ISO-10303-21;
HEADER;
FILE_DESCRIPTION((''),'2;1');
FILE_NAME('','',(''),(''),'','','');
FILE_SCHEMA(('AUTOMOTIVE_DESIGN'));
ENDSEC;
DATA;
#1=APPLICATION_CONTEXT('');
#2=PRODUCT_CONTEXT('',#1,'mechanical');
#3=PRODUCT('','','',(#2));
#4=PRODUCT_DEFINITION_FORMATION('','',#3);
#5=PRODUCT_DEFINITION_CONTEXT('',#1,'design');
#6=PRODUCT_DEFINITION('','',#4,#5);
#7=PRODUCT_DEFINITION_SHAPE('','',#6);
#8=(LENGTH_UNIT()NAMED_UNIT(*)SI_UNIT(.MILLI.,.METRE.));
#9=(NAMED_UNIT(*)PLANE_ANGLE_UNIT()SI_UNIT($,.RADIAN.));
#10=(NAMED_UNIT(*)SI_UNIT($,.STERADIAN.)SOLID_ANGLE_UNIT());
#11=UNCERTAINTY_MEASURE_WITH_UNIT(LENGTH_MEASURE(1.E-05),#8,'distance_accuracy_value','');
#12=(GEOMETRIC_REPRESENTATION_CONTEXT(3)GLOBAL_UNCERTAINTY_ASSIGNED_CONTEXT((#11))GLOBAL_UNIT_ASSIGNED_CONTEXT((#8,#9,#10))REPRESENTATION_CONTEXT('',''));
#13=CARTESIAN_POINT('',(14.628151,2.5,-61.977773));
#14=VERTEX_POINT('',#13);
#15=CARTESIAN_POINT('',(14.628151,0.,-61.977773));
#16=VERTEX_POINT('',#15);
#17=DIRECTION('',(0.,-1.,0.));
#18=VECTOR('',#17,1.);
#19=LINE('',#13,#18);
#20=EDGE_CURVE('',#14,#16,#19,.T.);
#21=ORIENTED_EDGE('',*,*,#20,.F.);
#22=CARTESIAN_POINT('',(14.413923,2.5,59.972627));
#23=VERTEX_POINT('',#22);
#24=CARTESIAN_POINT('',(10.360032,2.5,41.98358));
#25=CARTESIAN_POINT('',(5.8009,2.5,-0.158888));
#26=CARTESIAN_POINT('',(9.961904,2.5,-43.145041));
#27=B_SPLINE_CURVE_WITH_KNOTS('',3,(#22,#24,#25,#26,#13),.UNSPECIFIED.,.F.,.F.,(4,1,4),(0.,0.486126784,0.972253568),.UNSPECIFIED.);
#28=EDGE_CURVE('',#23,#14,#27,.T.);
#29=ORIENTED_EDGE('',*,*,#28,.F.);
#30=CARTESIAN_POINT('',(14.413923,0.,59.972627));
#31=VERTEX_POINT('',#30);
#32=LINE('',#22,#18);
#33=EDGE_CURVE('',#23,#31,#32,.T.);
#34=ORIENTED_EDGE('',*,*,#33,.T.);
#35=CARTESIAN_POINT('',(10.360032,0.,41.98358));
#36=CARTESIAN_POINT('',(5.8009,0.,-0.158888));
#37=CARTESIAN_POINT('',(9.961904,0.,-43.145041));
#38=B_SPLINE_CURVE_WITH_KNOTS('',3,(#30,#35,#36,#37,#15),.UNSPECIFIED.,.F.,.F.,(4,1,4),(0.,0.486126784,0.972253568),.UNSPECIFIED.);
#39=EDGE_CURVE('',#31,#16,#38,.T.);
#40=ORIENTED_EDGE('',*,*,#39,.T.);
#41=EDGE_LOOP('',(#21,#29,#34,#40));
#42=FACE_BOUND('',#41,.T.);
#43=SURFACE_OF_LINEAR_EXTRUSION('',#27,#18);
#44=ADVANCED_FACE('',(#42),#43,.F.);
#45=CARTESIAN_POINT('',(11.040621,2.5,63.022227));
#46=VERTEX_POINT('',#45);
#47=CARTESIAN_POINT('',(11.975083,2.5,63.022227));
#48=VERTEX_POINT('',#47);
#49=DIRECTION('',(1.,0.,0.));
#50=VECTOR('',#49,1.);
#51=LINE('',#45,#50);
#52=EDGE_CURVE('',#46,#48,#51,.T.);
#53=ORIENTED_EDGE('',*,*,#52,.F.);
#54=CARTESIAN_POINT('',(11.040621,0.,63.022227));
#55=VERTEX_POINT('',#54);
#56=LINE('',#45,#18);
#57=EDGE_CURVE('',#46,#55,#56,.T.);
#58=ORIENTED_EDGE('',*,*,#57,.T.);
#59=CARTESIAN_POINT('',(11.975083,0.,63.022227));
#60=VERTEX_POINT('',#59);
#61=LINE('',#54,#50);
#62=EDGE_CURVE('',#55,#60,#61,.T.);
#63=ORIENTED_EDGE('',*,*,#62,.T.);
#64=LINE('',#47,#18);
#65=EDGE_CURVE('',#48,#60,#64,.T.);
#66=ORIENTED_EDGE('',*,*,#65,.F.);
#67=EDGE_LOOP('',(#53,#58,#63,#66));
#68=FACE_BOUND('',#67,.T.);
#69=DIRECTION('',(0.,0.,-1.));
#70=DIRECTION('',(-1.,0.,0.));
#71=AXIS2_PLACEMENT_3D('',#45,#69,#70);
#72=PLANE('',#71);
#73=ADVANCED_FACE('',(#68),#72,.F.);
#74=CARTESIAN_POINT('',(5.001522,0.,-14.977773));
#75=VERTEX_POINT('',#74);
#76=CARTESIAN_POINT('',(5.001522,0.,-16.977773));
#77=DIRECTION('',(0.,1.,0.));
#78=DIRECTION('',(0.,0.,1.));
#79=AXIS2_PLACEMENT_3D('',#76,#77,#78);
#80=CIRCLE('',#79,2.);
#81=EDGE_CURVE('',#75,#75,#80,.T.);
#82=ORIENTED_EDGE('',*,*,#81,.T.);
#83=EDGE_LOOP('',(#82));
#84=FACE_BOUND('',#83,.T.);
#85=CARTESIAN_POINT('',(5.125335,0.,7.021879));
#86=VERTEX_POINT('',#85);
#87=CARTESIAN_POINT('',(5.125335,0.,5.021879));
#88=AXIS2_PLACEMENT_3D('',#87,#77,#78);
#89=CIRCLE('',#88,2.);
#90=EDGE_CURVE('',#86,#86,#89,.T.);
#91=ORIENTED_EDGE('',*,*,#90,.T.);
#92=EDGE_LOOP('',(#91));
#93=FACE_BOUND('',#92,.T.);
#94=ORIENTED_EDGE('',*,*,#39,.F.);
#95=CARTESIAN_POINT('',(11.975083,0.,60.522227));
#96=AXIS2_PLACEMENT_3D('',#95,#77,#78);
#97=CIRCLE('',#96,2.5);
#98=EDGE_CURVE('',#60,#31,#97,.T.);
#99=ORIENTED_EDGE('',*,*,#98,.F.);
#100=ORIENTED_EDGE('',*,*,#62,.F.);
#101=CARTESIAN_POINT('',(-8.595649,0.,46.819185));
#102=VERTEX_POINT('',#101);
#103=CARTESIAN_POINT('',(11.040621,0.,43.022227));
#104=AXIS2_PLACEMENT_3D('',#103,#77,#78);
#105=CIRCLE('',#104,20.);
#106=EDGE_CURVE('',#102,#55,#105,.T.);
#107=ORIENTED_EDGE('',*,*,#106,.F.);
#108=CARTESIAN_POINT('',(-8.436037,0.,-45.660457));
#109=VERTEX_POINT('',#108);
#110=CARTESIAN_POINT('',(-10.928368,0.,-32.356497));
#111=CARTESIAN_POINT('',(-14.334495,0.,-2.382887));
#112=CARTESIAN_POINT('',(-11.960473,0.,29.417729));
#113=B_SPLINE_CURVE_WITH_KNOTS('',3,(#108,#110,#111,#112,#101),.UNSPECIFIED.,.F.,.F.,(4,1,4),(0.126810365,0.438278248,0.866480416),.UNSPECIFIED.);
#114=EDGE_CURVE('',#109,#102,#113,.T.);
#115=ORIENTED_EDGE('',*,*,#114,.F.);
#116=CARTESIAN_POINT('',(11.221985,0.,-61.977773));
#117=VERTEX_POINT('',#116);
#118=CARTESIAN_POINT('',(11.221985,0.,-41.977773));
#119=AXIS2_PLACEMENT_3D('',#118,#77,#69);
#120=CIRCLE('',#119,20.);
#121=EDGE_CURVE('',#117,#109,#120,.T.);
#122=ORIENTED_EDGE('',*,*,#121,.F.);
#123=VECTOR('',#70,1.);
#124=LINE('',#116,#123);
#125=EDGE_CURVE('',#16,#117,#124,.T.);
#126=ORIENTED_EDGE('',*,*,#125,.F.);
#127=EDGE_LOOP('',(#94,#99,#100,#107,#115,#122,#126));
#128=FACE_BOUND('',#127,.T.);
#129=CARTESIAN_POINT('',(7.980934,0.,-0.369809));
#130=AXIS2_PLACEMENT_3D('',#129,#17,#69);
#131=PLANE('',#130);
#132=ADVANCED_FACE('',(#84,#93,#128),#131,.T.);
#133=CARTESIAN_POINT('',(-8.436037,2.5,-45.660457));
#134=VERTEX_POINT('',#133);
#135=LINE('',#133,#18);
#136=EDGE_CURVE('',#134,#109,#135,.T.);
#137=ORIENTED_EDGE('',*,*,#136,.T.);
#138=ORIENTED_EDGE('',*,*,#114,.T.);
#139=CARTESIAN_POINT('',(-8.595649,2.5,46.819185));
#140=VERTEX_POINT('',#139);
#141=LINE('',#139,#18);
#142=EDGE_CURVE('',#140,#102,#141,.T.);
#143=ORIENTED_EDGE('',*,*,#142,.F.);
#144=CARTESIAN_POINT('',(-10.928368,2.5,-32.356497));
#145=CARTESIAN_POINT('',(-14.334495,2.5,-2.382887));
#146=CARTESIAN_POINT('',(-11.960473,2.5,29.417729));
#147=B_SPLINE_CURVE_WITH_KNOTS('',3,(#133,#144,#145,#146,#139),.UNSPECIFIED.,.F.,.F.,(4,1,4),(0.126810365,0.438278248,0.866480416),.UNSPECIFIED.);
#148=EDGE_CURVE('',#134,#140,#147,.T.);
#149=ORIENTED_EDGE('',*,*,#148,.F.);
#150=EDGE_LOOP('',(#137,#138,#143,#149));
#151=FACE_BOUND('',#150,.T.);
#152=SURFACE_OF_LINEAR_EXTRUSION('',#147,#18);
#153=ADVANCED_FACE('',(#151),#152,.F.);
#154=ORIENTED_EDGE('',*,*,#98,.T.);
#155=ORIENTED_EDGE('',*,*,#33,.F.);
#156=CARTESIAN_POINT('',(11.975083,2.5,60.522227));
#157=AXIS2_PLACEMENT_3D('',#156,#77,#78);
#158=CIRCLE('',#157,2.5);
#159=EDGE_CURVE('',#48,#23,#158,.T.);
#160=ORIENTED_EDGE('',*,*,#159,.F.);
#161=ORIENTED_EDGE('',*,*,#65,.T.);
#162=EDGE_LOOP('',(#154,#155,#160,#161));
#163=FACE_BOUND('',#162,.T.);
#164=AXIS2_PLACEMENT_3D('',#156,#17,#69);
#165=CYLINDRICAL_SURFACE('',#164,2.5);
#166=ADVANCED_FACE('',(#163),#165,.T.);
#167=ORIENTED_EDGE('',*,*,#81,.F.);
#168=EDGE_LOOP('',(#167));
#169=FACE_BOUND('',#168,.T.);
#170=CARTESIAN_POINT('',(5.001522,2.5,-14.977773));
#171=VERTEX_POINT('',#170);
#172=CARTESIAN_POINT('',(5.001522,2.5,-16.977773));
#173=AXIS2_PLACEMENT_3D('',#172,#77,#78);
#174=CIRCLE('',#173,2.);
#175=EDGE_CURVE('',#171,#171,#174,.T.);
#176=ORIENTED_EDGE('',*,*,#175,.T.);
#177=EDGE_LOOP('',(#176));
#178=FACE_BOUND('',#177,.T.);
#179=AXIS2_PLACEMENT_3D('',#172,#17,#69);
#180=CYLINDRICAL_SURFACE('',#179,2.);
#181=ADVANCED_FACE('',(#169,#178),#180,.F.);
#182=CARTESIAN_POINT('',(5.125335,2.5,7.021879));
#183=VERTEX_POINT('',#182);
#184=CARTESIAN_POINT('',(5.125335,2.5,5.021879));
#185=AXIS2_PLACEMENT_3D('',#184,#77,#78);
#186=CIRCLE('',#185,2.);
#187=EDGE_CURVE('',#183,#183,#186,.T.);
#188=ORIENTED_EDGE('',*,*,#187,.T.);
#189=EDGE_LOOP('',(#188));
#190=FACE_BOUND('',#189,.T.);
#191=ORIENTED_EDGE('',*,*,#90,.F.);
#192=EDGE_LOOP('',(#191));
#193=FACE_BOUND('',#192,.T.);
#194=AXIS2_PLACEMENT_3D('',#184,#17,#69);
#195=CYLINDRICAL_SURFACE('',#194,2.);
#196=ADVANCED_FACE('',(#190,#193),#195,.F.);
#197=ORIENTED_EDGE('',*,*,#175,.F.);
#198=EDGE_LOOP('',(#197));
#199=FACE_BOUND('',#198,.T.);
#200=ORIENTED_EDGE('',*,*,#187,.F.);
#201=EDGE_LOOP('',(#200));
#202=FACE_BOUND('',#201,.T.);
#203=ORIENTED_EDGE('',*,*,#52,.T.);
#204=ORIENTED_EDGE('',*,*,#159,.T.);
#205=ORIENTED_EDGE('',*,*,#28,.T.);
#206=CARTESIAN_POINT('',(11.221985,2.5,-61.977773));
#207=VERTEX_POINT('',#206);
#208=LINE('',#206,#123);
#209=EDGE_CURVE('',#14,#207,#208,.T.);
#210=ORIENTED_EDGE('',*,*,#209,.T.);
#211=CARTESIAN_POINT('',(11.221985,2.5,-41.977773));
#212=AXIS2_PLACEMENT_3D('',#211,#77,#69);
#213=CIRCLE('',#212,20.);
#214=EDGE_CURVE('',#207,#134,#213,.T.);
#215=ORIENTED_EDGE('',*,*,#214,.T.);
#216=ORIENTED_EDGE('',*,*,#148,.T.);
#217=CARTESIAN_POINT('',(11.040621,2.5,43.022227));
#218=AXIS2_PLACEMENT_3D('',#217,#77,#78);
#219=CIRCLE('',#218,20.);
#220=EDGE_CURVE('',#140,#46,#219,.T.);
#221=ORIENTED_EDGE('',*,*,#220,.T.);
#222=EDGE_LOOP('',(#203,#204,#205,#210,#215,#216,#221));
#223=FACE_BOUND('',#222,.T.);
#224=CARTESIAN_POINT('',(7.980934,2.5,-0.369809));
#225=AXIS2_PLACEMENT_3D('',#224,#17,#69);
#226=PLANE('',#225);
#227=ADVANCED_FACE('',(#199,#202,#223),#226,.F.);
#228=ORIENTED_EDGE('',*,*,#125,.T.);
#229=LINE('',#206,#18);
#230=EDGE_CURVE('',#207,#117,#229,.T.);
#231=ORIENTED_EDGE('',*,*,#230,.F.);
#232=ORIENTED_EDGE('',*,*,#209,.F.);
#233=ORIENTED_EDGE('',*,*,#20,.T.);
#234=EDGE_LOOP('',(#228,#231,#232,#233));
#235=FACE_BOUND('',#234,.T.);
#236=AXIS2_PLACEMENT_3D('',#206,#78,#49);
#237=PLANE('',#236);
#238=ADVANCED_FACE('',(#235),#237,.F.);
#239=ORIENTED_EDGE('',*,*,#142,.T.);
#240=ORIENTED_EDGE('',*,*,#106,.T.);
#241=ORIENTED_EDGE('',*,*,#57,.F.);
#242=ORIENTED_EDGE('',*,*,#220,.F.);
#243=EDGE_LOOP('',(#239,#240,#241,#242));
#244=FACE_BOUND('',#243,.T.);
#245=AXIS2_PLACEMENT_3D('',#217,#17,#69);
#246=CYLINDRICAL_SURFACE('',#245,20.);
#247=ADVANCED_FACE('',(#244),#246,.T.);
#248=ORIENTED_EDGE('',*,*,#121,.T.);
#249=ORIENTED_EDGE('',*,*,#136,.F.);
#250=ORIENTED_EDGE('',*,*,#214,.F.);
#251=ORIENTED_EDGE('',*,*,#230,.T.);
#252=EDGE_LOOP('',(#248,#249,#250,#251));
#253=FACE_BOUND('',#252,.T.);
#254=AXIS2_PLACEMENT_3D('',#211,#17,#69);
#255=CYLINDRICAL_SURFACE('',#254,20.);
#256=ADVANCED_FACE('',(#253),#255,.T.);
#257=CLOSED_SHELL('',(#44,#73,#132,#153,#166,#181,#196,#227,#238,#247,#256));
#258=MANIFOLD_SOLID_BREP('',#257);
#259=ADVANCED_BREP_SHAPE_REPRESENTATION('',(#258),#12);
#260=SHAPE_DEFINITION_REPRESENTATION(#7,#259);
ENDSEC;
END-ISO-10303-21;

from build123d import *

# Parameters (mm, degrees)
ESBO_O1_R                = 2
RESSALTO_EXTRUS_O1_DEPTH = 2.5


with BuildPart() as part:
    # Esboço1 → Ressalto-extrusão1 (new body)
    with BuildSketch(Plane(origin=(0, 0, 0), x_dir=(1, 0, 0), z_dir=(0, 1, 0))):
        with BuildLine():
            Line((11.040621421, -63.022227155), (11.975083319, -63.022227155))
            ThreePointArc((11.975083319, -63.022227155), (13.927517872, -62.083636556), (14.413923052, -59.972626609))
            add(Edge.make_bspline(
                [(14.628150734, 61.977772845), (9.961904295, 43.145041124), (5.80089976, 0.158887719), (10.360032358, -41.983580286), (14.413923052, -59.972626609)],
                knots=[0, 0, 0, 0, 0.486126784, 0.972253568, 0.972253568, 0.972253568, 0.972253568], degree=3))
            Line((14.628150734, 61.977772845), (11.221984798, 61.977772845))
            ThreePointArc((11.221984798, 61.977772845), (-1.551940129, 57.366952224), (-8.43603741, 45.660457041))
            add(Edge.make_bspline(
                [(-8.43603741, 45.660457041), (-10.928367674, 32.356496924), (-14.334494692, 2.382887461), (-11.960473063, -29.417729259), (-8.595648838, -46.819185188)],
                knots=[0.126810365, 0.126810365, 0.126810365, 0.126810365, 0.438278248, 0.866480416, 0.866480416, 0.866480416, 0.866480416], degree=3))
            ThreePointArc((-8.595648838, -46.819185188), (-1.688495582, -58.448489837), (11.040621421, -63.022227155))
        make_face()
        with Locations(Location((5.00152215, 16.977772845, 0), (0, 0, 270))):
            Circle(ESBO_O1_R, mode=Mode.SUBTRACT)
        with Locations(Location((5.125334517, -5.021878755, 0), (0, 0, 270))):
            Circle(ESBO_O1_R, mode=Mode.SUBTRACT)
    extrude(amount=RESSALTO_EXTRUS_O1_DEPTH)


solid = part.part
